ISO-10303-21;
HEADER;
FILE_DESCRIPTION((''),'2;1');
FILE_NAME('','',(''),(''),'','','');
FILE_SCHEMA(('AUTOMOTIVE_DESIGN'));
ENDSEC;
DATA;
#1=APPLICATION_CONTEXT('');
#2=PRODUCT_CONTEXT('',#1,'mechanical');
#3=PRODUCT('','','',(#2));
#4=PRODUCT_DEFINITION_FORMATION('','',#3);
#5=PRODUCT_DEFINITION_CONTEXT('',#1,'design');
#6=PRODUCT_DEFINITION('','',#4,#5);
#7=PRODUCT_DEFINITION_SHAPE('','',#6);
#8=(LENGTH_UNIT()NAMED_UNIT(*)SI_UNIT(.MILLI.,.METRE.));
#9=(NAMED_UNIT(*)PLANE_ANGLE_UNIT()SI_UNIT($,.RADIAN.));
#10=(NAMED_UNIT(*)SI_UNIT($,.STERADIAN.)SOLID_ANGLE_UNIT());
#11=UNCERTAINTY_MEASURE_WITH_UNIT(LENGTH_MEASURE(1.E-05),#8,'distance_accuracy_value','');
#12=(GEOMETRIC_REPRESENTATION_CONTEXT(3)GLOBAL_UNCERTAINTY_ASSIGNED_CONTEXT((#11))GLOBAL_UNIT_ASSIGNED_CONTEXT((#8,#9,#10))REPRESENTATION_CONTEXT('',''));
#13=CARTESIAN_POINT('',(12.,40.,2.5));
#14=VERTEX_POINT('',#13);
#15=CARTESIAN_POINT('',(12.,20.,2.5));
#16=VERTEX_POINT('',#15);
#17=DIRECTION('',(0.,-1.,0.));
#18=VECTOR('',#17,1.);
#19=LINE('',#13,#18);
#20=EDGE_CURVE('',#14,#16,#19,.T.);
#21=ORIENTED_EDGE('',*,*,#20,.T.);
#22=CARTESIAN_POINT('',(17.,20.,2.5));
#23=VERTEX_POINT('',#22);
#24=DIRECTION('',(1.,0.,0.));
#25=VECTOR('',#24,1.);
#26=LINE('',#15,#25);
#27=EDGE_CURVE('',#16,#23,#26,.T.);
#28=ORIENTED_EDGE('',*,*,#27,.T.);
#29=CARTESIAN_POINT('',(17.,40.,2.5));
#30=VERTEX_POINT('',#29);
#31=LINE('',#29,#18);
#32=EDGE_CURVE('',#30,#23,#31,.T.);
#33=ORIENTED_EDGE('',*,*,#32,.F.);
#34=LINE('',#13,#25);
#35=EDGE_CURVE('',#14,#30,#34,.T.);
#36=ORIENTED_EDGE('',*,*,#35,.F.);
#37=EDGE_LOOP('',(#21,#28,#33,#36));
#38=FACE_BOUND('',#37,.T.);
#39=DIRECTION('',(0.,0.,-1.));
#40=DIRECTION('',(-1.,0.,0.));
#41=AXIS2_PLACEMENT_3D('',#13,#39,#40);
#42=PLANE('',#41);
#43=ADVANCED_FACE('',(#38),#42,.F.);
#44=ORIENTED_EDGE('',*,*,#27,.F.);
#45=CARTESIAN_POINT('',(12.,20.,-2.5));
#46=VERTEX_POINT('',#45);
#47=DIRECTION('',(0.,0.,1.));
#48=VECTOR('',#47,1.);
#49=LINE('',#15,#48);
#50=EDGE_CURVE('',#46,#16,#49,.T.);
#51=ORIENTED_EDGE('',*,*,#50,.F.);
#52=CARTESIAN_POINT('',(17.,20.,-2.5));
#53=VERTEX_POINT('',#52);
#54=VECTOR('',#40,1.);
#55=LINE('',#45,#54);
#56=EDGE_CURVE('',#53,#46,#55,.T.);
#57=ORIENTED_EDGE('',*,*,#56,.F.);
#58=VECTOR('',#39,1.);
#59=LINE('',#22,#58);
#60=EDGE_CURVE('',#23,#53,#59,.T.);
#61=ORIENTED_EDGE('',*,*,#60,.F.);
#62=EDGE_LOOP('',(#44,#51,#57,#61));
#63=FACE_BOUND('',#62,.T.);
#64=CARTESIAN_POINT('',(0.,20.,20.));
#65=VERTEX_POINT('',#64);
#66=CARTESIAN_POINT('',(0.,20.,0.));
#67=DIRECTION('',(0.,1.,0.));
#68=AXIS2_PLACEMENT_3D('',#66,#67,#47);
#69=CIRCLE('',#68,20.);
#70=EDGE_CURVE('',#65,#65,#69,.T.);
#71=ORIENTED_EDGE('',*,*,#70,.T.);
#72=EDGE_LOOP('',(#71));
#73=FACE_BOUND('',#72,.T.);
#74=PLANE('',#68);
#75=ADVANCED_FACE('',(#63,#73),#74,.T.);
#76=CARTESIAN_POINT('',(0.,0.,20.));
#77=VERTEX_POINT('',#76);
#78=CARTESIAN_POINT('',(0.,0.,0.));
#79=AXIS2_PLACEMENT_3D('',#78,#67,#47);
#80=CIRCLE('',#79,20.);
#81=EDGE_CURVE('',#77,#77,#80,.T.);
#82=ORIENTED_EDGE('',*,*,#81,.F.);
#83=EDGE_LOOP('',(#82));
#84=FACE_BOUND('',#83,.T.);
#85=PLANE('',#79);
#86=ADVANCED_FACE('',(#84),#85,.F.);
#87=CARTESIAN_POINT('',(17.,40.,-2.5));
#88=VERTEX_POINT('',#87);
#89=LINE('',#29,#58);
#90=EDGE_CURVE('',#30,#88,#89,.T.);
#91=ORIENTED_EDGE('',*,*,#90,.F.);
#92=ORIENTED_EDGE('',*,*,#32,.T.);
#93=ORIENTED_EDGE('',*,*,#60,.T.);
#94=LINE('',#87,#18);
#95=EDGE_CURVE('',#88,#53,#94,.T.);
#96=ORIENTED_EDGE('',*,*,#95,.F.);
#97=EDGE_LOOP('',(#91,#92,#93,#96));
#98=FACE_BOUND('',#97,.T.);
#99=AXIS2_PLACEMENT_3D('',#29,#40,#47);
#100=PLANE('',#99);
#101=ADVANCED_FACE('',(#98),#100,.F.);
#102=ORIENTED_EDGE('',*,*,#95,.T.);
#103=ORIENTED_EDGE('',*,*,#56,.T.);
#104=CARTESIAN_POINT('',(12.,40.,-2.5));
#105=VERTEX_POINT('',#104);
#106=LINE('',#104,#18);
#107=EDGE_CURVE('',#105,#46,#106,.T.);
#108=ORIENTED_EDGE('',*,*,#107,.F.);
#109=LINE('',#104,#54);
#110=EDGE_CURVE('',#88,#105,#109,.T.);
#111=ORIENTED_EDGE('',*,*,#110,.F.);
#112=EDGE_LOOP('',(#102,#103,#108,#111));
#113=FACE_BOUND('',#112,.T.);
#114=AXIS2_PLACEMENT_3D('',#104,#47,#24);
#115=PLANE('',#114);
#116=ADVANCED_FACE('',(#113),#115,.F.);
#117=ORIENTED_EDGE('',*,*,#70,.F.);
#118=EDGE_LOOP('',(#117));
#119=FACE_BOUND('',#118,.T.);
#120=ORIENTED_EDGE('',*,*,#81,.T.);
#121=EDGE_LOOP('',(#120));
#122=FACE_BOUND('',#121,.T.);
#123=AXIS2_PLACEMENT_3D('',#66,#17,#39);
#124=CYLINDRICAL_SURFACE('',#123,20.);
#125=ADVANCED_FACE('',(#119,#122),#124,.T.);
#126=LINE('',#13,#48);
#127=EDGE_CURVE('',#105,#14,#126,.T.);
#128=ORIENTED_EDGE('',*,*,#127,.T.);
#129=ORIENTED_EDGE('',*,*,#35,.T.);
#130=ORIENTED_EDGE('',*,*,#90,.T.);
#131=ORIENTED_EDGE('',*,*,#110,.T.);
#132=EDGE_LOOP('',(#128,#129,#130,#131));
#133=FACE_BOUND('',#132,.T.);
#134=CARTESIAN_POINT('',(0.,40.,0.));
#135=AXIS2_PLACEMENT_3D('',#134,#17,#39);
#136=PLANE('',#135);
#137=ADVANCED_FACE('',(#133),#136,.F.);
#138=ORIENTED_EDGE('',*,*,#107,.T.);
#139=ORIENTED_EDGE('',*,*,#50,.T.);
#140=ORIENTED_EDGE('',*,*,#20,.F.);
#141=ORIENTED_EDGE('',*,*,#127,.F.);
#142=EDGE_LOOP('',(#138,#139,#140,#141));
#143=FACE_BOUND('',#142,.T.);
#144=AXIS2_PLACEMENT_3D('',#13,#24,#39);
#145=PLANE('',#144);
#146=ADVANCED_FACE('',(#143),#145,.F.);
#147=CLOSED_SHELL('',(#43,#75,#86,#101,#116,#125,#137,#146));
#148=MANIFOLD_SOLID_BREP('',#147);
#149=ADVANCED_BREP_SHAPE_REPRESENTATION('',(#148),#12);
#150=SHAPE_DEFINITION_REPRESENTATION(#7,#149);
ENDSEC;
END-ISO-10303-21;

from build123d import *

# Parameters (mm, degrees)
SKETCH_1_R      = 20
EXTRUDE_1_DEPTH = 20
SKETCH_2_W      = 5
SKETCH_2_H      = 5
EXTRUDE_2_DEPTH = 20


with BuildPart() as part:
    # 草图1 → 凸台-拉伸1 (new body)
    with BuildSketch(Plane(origin=(0, 0, 0), x_dir=(1, 0, 0), z_dir=(0, 1, 0))):
        with Locations(Location((0, 0, 0), (0, 0, 270))):
            Circle(SKETCH_1_R)
    extrude(amount=EXTRUDE_1_DEPTH)

    # 草图2 → 凸台-拉伸2 (add)
    with BuildSketch(Plane(origin=(0, 20, 0), x_dir=(1, 0, 0), z_dir=(0, 1, 0))):
        with Locations((14.5, 0)):
            Rectangle(SKETCH_2_W, SKETCH_2_H)
    extrude(amount=EXTRUDE_2_DEPTH)


solid = part.part
